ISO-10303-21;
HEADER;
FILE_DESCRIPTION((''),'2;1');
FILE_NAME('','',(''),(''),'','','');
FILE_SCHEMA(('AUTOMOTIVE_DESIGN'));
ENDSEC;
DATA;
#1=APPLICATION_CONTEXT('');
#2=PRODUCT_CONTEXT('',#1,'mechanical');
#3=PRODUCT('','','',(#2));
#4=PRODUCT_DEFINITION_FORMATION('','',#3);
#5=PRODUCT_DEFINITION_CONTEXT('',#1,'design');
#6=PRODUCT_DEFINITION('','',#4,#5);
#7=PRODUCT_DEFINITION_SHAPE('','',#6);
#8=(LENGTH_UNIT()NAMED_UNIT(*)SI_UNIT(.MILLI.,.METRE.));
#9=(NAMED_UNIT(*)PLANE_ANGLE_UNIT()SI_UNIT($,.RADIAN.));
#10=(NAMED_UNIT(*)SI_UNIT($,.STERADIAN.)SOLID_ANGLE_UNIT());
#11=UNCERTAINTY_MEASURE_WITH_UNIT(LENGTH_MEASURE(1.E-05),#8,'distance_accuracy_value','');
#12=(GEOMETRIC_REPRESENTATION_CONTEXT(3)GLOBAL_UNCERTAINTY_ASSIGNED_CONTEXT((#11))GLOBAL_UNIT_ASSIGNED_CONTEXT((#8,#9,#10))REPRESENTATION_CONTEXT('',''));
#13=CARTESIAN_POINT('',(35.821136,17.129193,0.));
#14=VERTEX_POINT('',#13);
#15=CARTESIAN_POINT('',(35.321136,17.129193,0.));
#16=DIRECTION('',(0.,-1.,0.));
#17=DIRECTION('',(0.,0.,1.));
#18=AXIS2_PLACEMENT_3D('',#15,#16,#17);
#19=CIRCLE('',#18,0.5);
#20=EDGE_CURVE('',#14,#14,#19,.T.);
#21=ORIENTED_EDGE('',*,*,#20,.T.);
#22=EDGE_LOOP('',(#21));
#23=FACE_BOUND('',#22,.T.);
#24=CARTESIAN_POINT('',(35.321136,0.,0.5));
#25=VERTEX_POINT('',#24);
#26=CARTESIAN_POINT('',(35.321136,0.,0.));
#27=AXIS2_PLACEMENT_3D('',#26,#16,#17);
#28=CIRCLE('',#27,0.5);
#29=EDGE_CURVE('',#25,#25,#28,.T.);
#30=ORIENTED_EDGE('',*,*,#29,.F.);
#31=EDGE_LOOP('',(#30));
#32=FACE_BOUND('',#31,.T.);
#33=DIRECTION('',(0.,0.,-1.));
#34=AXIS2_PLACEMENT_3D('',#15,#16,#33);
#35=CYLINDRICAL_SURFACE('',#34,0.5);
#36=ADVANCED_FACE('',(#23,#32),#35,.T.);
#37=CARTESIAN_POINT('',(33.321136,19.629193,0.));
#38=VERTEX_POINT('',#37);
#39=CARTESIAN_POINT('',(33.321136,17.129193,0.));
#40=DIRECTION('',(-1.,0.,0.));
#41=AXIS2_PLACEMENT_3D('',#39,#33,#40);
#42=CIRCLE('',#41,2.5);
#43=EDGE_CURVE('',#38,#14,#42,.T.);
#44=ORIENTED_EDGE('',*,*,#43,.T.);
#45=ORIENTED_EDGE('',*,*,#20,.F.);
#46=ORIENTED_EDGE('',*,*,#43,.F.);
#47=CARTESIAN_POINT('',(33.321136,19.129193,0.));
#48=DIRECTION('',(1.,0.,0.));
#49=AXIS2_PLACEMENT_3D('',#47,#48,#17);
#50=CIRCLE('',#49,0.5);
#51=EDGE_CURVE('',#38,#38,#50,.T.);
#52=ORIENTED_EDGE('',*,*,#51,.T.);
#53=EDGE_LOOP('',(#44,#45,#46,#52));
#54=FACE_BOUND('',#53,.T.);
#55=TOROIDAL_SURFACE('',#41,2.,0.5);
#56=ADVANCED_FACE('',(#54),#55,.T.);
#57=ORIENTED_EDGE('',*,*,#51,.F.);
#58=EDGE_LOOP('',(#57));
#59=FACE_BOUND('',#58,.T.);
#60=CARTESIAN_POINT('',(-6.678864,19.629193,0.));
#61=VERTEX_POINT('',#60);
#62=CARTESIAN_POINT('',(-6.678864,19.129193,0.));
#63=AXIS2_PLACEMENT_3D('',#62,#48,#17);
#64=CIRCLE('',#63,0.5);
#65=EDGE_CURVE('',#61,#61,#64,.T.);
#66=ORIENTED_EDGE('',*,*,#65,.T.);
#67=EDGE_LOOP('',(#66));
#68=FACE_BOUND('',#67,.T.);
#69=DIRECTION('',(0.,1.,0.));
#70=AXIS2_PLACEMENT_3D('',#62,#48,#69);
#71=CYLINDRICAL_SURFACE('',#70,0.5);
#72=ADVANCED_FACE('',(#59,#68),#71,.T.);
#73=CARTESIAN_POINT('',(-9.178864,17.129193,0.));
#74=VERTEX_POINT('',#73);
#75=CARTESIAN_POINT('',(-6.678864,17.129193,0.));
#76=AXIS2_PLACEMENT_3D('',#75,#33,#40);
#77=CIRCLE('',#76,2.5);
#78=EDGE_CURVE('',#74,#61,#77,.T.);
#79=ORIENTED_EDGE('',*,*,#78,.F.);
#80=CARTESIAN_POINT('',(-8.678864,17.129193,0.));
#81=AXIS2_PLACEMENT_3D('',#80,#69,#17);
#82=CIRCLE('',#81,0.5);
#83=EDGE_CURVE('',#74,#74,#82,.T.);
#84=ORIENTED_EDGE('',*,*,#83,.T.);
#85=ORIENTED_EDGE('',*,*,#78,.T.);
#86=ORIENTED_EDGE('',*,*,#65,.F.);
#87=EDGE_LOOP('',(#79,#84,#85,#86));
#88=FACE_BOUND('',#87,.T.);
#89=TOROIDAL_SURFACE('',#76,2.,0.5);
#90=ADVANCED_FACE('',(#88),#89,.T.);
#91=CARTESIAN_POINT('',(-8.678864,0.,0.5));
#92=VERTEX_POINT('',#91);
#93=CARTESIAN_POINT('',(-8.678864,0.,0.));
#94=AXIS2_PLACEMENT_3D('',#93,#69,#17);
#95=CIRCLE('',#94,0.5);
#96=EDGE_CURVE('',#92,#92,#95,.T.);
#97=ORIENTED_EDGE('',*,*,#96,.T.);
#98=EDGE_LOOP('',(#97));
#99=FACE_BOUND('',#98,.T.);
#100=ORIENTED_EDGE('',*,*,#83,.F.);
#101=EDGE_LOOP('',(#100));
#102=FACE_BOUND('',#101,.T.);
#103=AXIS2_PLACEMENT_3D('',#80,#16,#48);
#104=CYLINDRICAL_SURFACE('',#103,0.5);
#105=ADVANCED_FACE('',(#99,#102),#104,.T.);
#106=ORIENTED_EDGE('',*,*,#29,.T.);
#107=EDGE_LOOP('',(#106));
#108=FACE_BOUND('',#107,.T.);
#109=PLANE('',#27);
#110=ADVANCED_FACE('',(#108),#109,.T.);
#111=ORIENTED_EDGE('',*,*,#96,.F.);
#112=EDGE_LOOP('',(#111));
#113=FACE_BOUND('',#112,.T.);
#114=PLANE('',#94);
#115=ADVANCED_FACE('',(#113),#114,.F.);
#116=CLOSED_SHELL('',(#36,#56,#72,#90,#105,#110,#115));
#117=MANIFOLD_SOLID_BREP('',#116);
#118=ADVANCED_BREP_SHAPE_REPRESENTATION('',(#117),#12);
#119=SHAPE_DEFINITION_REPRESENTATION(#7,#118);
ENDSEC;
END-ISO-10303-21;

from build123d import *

# Parameters (mm, degrees)
ESQUISSE2_R = 0.5


with BuildPart() as part:
    # Balayage1: sweep along a path in Esquisse1
    with BuildLine(Plane.XY) as balayage1_path:
        Line((-8.67886357, 0), (-8.67886357, 17.12919258))
        ThreePointArc((-8.67886357, 17.12919258), (-8.093077132, 18.543406142), (-6.67886357, 19.12919258))
        Line((-6.67886357, 19.12919258), (33.32113643, 19.12919258))
        ThreePointArc((33.32113643, 19.12919258), (34.735349992, 18.543406142), (35.32113643, 17.12919258))
        Line((35.32113643, 17.12919258), (35.32113643, 0))
    # Esquisse2 → Balayage1 (sweep)
    with BuildSketch(Plane(origin=(0, 0, 0), x_dir=(1, 0, 0), z_dir=(0, 1, 0))):
        with Locations((-8.67886357, 0)):
            Circle(ESQUISSE2_R)
    sweep(path=balayage1_path.line)


solid = part.part
